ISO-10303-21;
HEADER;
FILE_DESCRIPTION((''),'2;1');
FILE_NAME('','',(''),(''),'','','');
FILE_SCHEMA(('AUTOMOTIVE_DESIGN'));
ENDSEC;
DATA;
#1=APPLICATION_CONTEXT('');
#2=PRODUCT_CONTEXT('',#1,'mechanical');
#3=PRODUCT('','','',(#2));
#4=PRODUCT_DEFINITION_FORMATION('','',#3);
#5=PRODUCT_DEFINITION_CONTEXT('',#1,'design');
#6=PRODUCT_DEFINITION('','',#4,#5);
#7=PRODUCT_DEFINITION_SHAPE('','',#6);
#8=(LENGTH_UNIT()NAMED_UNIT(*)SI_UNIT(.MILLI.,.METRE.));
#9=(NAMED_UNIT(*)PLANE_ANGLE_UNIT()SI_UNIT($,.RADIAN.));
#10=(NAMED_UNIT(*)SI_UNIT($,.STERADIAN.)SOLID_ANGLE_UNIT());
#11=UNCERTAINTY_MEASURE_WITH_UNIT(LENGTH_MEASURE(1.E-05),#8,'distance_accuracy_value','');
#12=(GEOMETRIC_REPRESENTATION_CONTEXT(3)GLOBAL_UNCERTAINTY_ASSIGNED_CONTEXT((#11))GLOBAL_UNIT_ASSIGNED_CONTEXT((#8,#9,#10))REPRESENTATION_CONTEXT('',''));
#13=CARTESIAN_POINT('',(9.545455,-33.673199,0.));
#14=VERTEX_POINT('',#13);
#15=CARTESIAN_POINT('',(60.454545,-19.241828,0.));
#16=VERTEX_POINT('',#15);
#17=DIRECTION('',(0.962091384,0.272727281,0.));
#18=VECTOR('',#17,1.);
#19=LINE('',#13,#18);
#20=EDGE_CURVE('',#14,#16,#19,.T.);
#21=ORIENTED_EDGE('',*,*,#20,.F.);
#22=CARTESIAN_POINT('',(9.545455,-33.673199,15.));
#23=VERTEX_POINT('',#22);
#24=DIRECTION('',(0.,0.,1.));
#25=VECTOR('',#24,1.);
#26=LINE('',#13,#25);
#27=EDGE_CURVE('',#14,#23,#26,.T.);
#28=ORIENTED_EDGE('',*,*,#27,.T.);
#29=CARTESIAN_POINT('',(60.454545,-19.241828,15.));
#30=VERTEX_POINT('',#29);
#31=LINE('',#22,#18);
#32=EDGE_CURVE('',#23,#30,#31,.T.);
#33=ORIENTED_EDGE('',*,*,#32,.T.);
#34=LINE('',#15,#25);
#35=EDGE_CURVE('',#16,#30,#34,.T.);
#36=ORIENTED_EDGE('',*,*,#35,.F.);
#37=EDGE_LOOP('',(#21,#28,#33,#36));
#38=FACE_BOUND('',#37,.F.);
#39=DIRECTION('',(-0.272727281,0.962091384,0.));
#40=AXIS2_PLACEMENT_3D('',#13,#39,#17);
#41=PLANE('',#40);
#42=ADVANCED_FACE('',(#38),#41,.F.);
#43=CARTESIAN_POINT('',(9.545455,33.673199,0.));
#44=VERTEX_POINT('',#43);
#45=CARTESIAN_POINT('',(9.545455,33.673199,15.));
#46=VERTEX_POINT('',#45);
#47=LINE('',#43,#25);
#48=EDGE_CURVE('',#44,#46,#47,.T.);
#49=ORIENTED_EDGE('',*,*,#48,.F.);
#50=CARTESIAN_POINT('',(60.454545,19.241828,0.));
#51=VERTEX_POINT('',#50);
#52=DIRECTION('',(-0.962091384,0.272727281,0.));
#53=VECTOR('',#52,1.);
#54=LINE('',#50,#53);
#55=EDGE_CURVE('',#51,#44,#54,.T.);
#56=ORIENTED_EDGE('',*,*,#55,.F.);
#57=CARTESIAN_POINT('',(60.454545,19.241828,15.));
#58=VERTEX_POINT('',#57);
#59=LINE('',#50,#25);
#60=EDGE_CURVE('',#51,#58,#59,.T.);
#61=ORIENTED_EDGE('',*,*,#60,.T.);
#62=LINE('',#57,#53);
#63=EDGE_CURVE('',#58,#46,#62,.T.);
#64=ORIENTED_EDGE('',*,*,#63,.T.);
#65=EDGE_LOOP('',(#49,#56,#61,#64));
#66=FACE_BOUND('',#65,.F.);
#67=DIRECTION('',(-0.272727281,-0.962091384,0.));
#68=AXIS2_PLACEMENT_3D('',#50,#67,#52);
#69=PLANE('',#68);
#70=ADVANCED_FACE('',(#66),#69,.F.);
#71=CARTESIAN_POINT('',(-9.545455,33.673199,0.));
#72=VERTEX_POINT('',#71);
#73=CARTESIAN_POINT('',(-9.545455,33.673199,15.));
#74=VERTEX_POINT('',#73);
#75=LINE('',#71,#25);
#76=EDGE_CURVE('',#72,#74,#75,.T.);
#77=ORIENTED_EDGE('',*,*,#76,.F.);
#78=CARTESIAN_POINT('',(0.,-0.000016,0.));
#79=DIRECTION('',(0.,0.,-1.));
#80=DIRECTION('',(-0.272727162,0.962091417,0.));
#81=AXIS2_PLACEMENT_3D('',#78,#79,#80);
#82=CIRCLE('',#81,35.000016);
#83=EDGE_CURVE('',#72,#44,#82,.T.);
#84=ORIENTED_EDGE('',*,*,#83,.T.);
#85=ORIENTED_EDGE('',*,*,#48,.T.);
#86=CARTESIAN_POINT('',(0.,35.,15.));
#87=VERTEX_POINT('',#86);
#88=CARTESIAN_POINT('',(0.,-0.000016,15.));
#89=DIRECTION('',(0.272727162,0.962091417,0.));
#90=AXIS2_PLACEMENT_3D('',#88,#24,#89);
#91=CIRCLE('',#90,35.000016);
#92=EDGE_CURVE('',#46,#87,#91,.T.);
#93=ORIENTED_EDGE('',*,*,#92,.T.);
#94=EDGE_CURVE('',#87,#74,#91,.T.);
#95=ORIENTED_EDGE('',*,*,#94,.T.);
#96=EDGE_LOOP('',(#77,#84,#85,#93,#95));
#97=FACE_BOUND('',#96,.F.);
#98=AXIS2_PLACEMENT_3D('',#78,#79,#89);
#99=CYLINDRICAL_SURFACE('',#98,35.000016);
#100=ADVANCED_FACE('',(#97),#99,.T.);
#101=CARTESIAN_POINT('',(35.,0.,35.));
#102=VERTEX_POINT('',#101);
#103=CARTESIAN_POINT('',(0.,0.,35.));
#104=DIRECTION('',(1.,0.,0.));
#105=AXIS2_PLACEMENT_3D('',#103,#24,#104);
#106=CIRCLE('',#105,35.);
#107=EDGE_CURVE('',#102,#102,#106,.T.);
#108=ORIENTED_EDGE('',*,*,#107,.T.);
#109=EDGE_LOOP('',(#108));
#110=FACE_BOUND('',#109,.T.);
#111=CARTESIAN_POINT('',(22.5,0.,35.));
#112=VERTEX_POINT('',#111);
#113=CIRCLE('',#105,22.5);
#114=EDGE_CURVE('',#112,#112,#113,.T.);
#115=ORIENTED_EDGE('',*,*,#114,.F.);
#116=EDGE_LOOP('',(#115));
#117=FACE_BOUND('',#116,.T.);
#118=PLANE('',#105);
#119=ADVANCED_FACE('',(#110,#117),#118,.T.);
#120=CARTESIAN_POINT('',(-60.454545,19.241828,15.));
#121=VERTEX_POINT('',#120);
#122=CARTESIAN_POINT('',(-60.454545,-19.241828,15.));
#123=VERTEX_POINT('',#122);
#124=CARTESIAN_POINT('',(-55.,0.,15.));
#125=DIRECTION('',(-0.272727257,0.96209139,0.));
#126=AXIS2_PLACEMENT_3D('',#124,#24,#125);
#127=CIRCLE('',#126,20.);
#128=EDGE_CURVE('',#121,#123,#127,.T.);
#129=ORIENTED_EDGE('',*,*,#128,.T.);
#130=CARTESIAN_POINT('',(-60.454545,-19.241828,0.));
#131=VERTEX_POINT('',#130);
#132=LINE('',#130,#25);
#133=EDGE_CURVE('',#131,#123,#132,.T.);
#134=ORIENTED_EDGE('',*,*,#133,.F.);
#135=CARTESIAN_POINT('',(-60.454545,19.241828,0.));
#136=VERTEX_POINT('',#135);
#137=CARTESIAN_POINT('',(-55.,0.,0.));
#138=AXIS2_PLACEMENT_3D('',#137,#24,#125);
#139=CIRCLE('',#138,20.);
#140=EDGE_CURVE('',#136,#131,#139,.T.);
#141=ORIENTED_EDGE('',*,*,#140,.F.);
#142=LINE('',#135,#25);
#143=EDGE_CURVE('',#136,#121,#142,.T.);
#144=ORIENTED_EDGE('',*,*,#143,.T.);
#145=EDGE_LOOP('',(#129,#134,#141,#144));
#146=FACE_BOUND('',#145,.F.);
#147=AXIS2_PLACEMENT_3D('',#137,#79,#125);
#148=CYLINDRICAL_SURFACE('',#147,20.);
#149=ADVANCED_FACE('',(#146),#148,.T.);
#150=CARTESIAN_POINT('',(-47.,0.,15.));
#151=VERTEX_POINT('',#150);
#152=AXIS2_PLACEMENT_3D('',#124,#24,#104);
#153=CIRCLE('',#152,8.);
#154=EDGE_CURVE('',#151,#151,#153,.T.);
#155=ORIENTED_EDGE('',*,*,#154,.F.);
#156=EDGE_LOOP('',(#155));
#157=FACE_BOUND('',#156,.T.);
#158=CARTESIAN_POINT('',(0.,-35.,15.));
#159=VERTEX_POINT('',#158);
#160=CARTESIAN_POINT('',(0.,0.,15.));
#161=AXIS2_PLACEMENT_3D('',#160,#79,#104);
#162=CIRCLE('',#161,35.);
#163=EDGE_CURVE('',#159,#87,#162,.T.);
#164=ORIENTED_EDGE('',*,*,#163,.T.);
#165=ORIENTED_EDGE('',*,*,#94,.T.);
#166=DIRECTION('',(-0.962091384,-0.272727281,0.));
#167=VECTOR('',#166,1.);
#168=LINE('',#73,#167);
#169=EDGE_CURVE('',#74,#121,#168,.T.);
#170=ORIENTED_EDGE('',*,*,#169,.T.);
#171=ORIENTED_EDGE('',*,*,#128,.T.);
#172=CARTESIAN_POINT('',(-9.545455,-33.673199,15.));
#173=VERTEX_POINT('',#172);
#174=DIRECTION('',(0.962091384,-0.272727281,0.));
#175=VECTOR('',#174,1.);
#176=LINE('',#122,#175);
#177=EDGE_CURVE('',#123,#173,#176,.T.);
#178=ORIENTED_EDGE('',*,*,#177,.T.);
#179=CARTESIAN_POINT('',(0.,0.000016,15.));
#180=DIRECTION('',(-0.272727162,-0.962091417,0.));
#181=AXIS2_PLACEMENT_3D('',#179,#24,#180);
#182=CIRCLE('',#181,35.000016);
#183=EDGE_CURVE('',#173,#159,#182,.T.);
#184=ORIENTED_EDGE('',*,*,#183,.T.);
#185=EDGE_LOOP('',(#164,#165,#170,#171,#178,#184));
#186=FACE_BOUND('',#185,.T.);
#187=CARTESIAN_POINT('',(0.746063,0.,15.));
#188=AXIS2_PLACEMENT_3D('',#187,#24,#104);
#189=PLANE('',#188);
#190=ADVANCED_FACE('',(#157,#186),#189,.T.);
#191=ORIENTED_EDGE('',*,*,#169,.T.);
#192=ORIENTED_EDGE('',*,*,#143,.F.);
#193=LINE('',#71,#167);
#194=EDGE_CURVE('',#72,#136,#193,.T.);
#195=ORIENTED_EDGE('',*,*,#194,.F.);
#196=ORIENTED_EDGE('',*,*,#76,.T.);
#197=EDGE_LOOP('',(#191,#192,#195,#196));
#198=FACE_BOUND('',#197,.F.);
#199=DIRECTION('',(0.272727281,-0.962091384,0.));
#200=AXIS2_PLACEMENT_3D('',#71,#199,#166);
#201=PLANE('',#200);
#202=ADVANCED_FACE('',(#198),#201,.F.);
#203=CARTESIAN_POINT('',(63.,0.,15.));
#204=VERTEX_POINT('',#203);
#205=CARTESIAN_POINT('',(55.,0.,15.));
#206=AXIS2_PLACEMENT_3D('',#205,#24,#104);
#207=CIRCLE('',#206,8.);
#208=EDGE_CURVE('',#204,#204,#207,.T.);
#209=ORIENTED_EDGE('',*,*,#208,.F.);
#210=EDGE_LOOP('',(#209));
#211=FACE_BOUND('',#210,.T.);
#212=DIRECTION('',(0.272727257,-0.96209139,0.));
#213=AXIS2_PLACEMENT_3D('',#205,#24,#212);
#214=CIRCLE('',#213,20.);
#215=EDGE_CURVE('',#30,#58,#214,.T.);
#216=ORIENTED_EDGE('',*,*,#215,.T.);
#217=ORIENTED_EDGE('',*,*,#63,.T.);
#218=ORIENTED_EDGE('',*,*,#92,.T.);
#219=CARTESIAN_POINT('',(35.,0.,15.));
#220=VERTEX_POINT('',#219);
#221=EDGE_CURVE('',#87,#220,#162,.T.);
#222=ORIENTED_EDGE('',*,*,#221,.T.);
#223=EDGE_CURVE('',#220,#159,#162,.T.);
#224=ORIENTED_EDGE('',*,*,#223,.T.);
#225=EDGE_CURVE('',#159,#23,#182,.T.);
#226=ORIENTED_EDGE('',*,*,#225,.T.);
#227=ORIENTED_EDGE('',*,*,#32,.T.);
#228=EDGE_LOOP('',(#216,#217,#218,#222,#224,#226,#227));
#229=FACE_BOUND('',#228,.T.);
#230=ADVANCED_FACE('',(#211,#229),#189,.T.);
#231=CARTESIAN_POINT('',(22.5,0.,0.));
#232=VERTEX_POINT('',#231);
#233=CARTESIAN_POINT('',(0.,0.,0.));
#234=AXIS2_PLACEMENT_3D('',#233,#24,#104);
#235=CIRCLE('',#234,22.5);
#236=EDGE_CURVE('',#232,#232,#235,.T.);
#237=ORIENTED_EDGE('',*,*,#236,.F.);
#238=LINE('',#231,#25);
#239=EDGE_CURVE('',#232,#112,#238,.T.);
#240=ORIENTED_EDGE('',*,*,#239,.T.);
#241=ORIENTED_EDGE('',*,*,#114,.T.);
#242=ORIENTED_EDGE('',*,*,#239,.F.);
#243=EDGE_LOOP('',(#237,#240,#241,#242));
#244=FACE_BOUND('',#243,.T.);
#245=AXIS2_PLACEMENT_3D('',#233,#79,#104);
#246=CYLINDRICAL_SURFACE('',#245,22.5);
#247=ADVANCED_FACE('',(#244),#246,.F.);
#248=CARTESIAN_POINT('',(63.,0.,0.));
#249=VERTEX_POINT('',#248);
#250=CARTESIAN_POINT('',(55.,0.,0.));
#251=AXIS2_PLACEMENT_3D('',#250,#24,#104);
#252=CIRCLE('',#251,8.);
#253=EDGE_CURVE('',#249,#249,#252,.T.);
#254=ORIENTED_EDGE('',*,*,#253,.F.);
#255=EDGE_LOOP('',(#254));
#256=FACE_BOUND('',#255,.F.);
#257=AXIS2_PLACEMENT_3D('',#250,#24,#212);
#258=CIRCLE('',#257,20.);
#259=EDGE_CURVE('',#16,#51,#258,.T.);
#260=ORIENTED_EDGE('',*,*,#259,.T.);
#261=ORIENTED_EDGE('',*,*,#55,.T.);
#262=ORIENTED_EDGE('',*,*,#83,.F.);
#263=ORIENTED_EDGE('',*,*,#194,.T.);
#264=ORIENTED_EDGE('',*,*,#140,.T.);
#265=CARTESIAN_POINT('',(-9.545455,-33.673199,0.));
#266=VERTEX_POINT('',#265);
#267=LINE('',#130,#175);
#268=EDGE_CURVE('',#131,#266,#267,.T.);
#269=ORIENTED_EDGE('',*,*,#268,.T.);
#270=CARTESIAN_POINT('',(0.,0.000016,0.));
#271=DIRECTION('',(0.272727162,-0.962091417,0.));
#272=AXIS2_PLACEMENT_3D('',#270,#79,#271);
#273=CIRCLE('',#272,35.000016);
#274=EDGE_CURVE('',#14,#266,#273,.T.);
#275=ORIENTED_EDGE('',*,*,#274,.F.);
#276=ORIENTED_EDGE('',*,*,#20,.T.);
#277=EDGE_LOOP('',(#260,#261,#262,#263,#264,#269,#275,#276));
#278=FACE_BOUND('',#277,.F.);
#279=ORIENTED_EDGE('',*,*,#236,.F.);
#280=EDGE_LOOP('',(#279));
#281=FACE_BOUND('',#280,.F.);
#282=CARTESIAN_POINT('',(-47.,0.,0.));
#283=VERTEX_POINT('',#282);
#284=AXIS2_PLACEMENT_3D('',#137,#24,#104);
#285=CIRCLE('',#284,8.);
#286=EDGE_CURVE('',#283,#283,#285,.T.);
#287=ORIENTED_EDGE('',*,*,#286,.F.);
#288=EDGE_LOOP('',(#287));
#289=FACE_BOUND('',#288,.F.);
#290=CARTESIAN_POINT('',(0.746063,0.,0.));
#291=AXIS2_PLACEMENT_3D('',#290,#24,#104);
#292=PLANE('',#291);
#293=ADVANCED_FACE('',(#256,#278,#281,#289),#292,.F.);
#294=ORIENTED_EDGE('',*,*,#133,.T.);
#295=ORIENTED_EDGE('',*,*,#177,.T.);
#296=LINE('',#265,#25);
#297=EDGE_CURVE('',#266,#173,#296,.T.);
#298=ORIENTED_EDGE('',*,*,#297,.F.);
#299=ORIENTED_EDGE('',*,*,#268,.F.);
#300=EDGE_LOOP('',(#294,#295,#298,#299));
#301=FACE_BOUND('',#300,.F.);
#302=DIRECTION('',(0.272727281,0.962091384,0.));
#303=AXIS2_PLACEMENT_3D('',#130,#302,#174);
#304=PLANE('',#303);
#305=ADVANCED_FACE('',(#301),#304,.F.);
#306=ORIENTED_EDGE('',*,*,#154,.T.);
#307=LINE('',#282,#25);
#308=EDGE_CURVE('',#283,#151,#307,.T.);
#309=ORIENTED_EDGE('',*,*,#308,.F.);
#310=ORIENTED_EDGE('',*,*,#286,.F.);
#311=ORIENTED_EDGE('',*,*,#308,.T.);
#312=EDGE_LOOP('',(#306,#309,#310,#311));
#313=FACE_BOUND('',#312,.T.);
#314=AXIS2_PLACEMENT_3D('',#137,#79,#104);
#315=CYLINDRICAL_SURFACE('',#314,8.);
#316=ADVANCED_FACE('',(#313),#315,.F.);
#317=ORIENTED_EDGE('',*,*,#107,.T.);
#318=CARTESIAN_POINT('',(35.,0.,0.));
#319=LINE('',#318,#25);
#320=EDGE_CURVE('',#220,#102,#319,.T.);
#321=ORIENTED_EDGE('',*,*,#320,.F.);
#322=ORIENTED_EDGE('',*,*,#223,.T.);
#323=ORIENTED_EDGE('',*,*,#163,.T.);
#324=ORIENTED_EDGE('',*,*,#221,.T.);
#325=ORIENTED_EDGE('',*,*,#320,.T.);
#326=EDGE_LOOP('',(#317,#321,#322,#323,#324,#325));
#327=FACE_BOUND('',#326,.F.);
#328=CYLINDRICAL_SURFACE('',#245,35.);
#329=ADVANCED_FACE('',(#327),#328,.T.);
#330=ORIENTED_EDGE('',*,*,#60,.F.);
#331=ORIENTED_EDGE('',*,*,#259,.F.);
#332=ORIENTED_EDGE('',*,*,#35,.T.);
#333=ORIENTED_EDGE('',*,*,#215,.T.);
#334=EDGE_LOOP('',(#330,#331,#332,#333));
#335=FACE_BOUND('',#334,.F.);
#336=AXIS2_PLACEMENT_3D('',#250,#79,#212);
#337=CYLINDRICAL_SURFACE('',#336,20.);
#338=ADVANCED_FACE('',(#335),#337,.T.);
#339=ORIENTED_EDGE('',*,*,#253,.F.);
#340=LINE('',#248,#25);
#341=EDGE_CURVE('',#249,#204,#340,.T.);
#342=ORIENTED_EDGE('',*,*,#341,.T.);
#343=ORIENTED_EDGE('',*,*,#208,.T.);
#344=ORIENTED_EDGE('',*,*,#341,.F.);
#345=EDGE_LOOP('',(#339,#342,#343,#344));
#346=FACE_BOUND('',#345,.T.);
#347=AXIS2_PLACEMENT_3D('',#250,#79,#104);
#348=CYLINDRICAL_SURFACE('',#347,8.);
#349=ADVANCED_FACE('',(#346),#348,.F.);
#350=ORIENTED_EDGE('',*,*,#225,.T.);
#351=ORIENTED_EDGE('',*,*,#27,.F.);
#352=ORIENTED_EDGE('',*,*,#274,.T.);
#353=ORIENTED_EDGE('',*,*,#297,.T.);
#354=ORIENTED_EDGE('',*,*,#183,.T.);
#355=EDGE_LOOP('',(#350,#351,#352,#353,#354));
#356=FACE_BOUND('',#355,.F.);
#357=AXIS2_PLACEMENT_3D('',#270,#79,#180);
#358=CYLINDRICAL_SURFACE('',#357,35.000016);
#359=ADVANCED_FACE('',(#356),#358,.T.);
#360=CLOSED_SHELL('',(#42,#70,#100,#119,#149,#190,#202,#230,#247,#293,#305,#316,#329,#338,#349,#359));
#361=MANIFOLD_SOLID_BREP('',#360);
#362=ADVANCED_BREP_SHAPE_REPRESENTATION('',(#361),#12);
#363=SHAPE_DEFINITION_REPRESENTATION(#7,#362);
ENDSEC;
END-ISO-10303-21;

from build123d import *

# Parameters (mm, degrees)
F0_R     = 22.5
F0_R_2   = 8
F1_DEPTH = 15
F2_R     = 35
F2_R_2   = 22.5
F3_DEPTH = 35


with BuildPart() as f1:
    # F0 (on Top) → F1 (new body)
    with BuildSketch(Plane.XY):
        with BuildLine():
            ThreePointArc((9.545455, -33.673199), (27.920341, -21.105794), (35, 0))
            ThreePointArc((35, 0), (27.920341, 21.105794), (9.545455, 33.673199))
            ThreePointArc((9.545455, 33.673199), (0, 35), (-9.545455, 33.673199))
            ThreePointArc((-9.545455, 33.673199), (-35, 0), (-9.545455, -33.673199))
            ThreePointArc((-9.545455, -33.673199), (0, -35), (9.545455, -33.673199))
        make_face()
        Circle(F0_R, mode=Mode.SUBTRACT)
        with BuildLine():
            ThreePointArc((9.545455, 33.673199), (27.920341, 21.105794), (35, 0))
            ThreePointArc((35, 0), (27.920341, -21.105794), (9.545455, -33.673199))
            Line((9.545455, -33.673199), (60.454545, -19.241828))
            ThreePointArc((60.454545, -19.241828), (75, 0), (60.454545, 19.241828))
            Line((60.454545, 19.241828), (9.545455, 33.673199))
        make_face()
        with Locations((55, 0)):
            Circle(F0_R_2, mode=Mode.SUBTRACT)
        with BuildLine():
            ThreePointArc((-9.545455, -33.673199), (-35, 0), (-9.545455, 33.673199))
            Line((-9.545455, 33.673199), (-60.454545, 19.241828))
            ThreePointArc((-60.454545, 19.241828), (-75, 0), (-60.454545, -19.241828))
            Line((-60.454545, -19.241828), (-9.545455, -33.673199))
        make_face()
        with Locations((-55, 0)):
            Circle(F0_R_2, mode=Mode.SUBTRACT)
    extrude(amount=F1_DEPTH)

    # F2 (on Top) → F3 (join)
    with BuildSketch(Plane.XY):
        Circle(F2_R)
        Circle(F2_R_2, mode=Mode.SUBTRACT)
    extrude(amount=F3_DEPTH)


solid = f1.part
